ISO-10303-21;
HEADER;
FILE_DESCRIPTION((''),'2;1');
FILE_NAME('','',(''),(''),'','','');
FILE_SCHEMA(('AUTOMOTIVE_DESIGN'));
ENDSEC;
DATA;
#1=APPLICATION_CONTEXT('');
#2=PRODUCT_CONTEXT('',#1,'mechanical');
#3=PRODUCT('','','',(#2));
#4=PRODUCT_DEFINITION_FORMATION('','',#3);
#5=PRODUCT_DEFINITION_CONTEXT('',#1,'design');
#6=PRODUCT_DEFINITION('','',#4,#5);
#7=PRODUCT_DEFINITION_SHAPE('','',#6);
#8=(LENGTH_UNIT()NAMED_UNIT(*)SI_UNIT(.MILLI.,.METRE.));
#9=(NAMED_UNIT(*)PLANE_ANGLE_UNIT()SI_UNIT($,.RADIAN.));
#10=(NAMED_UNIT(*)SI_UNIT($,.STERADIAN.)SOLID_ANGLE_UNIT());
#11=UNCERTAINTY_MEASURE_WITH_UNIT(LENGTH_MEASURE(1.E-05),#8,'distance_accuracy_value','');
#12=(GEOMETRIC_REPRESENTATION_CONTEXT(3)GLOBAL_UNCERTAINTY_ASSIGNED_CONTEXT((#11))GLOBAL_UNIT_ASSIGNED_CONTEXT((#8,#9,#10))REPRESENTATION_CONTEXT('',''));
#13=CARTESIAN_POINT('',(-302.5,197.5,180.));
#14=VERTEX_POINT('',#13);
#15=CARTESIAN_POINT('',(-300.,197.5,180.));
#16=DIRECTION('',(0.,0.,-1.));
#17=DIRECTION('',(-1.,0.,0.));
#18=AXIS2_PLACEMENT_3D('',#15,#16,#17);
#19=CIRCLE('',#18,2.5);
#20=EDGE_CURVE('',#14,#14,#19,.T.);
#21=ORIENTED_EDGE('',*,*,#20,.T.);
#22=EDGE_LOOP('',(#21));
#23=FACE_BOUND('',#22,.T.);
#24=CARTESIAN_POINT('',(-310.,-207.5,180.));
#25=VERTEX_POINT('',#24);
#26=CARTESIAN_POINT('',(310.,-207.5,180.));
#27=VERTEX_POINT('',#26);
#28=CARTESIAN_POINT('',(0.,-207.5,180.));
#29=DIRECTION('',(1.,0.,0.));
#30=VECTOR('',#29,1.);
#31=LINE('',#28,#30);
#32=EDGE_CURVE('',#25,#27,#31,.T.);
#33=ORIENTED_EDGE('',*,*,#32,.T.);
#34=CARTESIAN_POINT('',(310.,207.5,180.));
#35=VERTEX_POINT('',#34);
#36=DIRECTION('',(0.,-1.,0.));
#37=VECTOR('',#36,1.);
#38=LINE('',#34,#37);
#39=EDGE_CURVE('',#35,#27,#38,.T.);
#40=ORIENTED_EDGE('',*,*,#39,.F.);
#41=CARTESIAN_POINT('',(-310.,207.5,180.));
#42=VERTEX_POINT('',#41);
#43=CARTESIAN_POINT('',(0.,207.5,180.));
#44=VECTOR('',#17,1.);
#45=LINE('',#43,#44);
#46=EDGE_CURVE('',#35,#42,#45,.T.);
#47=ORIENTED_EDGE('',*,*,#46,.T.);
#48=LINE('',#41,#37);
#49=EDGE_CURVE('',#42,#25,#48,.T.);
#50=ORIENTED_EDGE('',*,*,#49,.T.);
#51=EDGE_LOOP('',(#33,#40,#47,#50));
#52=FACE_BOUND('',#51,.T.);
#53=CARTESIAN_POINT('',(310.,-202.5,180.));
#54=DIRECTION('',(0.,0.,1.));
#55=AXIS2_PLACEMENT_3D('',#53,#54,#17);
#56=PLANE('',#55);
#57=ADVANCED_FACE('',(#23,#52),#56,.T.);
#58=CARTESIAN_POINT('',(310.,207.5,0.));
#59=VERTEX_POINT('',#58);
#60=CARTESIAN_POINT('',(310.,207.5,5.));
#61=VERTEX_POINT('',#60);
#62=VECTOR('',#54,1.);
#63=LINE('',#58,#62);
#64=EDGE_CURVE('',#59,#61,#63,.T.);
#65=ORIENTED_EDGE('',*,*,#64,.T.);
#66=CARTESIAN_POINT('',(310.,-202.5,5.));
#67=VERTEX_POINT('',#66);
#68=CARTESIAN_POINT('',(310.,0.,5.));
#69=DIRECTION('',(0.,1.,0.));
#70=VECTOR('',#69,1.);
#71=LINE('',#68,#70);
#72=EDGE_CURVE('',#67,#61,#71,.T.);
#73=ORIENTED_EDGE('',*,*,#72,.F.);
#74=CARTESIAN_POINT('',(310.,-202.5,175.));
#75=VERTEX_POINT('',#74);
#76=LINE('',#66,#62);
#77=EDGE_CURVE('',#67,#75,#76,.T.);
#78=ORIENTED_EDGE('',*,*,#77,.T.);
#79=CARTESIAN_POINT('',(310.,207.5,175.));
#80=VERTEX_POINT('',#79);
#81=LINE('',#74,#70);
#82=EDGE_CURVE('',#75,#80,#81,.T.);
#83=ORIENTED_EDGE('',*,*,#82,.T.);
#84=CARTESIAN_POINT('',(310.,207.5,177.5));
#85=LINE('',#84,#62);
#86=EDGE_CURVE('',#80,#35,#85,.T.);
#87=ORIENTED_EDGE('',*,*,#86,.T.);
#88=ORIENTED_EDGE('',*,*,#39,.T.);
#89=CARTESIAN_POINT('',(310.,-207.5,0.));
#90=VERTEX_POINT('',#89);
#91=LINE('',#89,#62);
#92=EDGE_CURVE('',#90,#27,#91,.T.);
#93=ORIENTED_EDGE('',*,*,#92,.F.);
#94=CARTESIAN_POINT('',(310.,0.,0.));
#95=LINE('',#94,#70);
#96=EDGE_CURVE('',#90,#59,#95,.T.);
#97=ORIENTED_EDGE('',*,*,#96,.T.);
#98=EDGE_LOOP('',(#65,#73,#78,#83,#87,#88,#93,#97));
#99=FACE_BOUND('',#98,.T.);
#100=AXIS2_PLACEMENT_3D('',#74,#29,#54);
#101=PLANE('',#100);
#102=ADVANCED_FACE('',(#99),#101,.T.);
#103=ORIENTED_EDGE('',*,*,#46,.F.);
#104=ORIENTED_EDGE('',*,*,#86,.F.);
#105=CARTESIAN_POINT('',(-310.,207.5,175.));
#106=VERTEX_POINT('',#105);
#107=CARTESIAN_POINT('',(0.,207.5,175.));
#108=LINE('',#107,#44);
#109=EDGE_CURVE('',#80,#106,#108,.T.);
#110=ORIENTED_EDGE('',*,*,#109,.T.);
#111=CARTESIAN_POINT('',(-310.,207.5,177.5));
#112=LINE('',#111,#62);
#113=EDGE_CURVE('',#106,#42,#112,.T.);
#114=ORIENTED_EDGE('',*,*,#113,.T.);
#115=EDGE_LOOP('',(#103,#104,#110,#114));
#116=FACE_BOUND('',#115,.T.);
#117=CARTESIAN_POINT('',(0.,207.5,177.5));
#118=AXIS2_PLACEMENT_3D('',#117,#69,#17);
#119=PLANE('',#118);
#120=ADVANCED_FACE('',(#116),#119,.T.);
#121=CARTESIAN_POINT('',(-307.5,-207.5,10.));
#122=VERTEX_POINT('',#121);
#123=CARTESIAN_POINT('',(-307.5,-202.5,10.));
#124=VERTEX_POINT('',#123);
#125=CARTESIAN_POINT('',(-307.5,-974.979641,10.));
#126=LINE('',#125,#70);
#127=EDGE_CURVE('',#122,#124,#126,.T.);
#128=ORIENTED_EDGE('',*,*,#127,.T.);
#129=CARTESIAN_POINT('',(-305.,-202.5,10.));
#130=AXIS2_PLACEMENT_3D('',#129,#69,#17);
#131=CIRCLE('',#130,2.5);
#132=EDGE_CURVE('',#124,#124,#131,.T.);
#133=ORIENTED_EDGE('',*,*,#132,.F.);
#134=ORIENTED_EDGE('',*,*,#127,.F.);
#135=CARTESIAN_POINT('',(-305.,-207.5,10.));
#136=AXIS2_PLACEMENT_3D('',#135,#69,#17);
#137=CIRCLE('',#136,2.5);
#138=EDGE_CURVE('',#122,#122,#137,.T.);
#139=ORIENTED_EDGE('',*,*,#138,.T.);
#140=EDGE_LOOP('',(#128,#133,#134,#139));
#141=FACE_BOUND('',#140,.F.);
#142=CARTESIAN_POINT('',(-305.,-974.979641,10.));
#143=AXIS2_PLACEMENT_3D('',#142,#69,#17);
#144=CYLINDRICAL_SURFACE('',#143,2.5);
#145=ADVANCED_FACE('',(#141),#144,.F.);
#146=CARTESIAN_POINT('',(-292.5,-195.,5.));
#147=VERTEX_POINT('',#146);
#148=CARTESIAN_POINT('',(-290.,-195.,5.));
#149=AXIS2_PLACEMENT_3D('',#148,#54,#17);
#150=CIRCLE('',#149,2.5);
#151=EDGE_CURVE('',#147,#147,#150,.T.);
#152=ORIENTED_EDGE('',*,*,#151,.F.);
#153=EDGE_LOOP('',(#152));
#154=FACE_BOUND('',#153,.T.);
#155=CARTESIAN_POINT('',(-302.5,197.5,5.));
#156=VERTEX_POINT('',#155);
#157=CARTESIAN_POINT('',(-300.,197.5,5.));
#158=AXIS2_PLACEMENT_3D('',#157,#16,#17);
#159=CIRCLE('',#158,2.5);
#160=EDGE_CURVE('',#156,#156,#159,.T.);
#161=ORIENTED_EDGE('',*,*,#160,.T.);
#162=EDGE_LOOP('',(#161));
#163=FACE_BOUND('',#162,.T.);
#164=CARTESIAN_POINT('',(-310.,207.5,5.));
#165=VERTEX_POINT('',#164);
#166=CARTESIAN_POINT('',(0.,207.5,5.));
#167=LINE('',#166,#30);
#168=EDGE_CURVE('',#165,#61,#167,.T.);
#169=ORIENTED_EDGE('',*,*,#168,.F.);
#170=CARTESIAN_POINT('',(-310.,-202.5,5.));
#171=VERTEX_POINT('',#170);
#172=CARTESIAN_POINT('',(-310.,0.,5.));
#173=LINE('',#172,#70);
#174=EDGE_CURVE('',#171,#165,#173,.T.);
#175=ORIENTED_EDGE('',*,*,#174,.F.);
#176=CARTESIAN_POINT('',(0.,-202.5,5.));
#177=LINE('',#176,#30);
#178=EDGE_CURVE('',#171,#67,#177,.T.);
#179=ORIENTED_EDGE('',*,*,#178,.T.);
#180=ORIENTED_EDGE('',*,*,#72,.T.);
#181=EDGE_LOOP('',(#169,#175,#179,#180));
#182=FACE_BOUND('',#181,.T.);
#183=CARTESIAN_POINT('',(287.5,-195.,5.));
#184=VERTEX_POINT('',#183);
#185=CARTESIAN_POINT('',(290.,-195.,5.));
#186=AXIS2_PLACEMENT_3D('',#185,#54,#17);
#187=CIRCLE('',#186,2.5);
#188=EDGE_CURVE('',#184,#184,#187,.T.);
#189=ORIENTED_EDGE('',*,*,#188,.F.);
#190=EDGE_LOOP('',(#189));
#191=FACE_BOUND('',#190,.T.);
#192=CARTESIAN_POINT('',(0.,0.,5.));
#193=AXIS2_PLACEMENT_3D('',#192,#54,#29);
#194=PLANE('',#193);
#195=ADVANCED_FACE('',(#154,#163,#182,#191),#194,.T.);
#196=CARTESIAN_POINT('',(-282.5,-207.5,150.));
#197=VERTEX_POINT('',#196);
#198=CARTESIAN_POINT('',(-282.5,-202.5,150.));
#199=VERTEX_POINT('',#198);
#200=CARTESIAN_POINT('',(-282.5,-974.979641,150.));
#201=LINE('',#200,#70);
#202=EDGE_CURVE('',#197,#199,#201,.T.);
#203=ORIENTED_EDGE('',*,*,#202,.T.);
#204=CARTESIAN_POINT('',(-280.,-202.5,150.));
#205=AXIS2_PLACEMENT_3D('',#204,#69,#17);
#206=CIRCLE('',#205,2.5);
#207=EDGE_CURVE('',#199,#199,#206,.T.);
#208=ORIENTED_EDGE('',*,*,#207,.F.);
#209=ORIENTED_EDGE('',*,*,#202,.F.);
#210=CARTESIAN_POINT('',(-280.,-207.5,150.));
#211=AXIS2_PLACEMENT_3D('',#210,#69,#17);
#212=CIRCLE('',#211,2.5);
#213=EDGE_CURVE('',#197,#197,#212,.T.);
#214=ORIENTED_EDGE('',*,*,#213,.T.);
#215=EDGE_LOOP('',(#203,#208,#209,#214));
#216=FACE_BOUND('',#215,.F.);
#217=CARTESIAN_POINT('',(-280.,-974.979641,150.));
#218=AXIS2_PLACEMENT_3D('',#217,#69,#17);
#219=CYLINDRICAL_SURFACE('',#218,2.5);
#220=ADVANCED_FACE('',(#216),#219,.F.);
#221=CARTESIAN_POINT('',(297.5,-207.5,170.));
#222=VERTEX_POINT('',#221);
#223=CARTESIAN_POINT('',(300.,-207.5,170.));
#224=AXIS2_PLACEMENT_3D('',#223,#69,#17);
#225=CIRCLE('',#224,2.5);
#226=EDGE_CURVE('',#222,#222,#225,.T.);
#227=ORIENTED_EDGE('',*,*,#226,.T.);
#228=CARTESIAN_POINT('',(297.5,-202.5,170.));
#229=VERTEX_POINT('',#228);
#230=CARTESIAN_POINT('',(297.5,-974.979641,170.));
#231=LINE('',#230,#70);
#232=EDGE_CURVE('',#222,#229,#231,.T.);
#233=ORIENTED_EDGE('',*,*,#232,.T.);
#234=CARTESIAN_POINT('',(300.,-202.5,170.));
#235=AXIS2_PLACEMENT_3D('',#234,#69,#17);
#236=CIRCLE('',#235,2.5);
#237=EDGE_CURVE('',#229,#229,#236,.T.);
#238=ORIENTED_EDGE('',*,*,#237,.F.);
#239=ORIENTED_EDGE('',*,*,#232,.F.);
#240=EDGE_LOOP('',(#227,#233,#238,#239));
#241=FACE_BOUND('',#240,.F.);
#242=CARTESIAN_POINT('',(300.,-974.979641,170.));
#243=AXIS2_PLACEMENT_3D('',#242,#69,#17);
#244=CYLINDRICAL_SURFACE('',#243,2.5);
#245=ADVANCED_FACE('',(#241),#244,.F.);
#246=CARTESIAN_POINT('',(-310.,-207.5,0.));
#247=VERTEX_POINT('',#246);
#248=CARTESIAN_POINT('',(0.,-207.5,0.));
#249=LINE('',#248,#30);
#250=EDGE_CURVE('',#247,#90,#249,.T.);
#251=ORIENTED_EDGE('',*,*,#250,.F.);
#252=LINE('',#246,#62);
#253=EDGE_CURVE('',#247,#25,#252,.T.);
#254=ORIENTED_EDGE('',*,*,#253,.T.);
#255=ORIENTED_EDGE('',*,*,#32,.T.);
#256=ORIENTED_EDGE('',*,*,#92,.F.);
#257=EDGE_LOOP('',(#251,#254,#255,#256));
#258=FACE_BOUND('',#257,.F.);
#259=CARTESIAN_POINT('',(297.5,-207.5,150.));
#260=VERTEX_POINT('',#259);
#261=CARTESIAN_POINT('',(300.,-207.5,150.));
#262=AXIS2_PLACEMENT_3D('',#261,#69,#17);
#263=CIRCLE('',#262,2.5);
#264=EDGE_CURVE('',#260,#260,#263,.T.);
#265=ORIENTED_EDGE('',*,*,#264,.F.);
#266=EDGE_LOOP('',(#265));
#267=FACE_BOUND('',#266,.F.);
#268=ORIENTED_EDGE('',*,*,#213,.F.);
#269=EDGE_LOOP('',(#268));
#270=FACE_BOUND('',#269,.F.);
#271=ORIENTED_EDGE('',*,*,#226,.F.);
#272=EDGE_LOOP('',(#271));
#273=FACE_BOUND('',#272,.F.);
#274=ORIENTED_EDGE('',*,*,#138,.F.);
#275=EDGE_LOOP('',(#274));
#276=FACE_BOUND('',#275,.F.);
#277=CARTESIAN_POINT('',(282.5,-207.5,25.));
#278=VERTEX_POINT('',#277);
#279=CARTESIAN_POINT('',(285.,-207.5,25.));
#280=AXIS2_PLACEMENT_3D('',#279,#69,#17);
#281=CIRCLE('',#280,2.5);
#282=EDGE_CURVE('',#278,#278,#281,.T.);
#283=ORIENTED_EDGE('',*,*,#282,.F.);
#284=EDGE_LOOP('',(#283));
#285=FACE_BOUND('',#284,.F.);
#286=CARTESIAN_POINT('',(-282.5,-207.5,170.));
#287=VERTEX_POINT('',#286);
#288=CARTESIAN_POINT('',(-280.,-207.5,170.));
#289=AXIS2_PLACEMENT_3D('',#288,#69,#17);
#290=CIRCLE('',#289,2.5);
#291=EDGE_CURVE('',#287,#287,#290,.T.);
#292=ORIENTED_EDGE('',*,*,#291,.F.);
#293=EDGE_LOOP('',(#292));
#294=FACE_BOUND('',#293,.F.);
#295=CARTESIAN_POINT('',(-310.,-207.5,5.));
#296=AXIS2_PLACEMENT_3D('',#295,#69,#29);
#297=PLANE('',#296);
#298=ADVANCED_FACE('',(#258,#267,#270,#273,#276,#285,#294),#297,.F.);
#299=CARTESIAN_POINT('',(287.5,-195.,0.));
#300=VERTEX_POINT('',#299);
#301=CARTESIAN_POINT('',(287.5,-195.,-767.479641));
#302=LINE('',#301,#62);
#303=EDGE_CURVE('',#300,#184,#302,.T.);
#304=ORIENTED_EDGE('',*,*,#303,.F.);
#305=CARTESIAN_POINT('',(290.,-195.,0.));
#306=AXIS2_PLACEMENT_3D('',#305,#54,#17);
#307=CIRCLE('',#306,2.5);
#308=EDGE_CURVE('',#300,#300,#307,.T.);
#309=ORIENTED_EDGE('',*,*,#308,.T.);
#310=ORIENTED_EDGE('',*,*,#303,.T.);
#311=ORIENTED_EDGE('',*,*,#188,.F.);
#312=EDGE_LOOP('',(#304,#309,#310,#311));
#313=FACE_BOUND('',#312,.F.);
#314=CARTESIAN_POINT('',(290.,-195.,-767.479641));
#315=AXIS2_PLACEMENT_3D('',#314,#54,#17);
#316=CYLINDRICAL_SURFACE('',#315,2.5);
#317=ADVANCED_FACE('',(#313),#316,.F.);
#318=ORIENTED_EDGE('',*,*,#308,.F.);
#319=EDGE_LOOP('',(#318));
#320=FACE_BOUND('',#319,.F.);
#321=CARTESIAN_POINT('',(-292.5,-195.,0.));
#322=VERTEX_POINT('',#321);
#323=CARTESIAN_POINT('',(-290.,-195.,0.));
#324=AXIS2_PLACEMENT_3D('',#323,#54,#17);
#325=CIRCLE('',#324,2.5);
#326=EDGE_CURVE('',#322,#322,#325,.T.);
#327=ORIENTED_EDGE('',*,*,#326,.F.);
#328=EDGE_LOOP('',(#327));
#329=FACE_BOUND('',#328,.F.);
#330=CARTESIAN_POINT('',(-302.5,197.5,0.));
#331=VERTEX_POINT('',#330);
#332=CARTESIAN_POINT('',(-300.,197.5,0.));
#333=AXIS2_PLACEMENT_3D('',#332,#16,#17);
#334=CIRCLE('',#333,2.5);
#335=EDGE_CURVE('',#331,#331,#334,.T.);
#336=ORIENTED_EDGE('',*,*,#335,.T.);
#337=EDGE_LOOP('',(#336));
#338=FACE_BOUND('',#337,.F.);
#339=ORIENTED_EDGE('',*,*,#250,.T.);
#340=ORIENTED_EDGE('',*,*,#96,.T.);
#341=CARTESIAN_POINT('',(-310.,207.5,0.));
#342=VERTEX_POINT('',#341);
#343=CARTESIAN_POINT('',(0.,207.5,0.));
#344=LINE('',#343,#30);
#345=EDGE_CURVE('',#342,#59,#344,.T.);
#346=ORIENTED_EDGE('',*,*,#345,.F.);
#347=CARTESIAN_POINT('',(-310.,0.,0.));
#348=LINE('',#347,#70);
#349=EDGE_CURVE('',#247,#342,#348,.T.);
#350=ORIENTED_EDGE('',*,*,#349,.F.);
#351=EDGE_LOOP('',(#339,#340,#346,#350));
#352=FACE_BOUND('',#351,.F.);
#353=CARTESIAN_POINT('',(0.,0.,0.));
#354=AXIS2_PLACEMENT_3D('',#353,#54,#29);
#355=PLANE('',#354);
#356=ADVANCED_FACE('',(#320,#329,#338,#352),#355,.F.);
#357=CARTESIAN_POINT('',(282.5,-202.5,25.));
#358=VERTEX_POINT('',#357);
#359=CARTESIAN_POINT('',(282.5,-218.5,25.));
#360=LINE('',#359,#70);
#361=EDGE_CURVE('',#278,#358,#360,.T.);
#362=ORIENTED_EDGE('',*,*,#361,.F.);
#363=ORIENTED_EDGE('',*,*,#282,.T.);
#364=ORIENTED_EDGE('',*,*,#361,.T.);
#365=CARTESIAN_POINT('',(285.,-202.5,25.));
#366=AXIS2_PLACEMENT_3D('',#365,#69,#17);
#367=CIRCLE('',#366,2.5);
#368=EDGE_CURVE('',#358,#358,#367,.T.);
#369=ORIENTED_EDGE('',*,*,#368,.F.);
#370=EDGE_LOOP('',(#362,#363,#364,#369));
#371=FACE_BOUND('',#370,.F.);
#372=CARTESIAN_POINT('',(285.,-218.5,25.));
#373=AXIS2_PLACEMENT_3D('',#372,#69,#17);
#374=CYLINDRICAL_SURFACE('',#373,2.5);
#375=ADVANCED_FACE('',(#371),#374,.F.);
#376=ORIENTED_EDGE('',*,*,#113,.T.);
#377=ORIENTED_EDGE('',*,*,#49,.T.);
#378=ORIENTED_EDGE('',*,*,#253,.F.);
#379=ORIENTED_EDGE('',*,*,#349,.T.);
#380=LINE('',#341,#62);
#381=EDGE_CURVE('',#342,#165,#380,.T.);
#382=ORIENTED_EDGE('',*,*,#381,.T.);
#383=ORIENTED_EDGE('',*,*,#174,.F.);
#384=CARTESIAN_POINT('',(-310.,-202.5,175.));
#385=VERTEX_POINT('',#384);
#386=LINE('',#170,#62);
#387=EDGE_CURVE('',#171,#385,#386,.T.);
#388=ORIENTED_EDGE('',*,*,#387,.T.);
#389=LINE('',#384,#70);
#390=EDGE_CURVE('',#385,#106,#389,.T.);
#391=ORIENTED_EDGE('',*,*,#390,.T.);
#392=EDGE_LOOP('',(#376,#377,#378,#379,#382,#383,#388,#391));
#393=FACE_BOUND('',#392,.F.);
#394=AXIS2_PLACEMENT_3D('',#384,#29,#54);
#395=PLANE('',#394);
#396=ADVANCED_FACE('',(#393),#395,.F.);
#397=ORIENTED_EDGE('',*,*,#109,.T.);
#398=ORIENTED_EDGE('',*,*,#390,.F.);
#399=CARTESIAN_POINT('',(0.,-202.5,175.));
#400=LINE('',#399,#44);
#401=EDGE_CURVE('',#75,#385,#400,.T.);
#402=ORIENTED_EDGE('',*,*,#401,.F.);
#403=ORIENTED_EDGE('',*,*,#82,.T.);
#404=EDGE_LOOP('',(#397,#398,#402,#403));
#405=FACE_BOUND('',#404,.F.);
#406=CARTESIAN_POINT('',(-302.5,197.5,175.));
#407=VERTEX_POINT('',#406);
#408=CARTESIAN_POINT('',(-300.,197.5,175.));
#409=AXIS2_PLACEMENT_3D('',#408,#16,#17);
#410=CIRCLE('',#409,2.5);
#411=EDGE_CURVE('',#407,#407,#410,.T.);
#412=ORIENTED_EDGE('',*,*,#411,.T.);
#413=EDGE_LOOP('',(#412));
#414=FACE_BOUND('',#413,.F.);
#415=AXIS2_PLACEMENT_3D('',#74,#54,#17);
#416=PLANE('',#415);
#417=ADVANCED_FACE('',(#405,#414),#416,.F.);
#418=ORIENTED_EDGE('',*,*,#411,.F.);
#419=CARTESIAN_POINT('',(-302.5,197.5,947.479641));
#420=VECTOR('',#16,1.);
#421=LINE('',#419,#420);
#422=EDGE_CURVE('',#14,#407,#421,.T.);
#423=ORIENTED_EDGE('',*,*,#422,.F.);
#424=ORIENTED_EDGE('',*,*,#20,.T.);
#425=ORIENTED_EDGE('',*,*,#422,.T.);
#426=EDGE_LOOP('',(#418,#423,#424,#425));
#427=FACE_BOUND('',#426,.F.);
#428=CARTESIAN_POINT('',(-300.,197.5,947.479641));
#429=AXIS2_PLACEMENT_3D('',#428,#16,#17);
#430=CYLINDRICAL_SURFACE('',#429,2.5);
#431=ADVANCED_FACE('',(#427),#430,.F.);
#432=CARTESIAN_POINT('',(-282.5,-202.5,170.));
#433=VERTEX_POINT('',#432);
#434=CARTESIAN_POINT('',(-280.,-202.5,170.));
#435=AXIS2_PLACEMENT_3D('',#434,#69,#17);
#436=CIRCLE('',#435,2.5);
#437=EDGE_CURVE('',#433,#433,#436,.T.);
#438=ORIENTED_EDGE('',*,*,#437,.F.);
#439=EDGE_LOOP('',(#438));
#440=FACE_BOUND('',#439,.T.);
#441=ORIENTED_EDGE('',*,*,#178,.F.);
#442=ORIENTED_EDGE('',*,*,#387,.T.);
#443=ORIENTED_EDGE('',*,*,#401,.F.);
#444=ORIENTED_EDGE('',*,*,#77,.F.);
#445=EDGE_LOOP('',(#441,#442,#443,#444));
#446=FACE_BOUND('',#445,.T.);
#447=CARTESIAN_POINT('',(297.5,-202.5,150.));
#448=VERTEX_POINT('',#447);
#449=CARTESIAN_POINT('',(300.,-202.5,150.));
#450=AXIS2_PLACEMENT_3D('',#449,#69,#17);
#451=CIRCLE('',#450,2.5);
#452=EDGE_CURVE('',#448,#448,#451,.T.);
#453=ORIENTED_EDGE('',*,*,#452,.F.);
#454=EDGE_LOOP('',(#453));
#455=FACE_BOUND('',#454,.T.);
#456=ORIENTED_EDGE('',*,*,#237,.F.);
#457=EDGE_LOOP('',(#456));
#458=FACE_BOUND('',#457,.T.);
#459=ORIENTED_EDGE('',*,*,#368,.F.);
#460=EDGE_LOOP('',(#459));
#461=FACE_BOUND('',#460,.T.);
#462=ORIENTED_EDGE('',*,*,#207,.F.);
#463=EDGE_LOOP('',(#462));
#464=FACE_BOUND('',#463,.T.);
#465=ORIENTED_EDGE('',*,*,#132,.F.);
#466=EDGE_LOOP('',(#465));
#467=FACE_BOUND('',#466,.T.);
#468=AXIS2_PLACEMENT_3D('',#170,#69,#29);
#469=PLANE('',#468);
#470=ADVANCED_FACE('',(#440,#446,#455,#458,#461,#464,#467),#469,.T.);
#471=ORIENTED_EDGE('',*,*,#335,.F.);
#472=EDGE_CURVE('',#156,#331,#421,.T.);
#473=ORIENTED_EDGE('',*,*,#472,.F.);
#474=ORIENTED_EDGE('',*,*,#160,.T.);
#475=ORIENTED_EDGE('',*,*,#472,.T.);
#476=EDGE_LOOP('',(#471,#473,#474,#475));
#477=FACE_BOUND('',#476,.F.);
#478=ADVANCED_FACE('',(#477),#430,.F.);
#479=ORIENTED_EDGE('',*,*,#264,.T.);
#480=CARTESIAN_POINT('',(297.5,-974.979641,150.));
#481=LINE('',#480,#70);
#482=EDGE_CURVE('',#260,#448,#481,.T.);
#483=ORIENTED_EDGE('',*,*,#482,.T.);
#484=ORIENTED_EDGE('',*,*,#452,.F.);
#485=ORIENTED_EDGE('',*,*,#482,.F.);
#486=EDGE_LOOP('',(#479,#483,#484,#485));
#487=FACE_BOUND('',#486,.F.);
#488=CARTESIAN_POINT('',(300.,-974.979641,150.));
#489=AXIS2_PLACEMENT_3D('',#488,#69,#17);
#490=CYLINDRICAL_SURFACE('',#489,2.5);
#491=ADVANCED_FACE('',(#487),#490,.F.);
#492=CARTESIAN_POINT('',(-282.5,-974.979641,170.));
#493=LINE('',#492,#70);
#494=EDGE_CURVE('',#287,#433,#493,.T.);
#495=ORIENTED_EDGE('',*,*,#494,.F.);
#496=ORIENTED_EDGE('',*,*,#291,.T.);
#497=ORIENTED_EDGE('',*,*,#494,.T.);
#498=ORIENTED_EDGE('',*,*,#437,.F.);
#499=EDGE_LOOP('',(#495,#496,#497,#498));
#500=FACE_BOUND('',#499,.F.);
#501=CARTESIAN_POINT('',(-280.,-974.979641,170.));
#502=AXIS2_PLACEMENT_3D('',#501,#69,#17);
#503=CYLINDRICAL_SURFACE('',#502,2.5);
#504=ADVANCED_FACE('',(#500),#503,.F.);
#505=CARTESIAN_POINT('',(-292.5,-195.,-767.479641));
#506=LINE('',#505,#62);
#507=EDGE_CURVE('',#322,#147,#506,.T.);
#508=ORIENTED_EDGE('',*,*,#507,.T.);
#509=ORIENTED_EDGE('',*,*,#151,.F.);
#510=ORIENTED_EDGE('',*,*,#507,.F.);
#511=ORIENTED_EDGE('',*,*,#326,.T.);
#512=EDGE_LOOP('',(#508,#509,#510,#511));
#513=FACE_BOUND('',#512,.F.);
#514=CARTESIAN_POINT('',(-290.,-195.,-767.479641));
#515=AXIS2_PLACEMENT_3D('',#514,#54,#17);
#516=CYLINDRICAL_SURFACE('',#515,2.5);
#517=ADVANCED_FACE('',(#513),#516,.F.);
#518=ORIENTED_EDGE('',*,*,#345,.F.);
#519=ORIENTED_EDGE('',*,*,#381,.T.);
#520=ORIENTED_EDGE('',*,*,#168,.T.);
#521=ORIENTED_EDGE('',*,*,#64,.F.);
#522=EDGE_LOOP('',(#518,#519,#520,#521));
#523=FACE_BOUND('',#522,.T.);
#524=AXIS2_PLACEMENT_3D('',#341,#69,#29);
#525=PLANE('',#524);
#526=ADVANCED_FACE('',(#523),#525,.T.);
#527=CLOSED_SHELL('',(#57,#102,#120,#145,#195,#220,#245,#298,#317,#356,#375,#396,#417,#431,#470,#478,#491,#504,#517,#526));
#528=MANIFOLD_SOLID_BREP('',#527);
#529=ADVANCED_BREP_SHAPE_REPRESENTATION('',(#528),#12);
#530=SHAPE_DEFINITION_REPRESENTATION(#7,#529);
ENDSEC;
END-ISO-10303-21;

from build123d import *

# Parameters (mm, degrees)
F0_W      = 620
F0_H      = 415
F1_DEPTH  = 5
F2_W      = 620
F2_H      = 5
F3_DEPTH  = 175
F5_D      = 5
F7_D      = 5
F9_D      = 5
F11_D     = 5
F13_D     = 5
F15_D     = 5
F17_D     = 5
F19_D     = 5
F19_DEPTH = 11
F20_W     = 620
F20_H     = 5
F21_DEPTH = 410
F23_D     = 5


with BuildPart() as f1:
    # F0 (on Top) → F1 (new body)
    with BuildSketch(Plane.XY):
        Rectangle(F0_W, F0_H)
    extrude(amount=F1_DEPTH)

    # F2 (on face) → F3 (join)
    with BuildSketch(Plane.XY.offset(5)):
        with Locations((0, -205)):
            Rectangle(F2_W, F2_H)
    extrude(amount=F3_DEPTH)

    # F5 (through all)
    with Locations(Plane.XZ.offset(207.5)):
        with Locations((300, 170)):
            Hole(F5_D / 2)

    # F7 (through all)
    with Locations(Plane.XZ.offset(207.5)):
        with Locations((300, 150)):
            Hole(F7_D / 2)

    # F9 (through all)
    with Locations(Plane.XZ.offset(207.5)):
        with Locations((-280, 170)):
            Hole(F9_D / 2)

    # F11 (through all)
    with Locations(Plane.XZ.offset(207.5)):
        with Locations((-280, 150)):
            Hole(F11_D / 2)

    # F13 (through all)
    with Locations(Plane.XZ.offset(207.5)):
        with Locations((-305, 10)):
            Hole(F13_D / 2)

    # F15 (through all)
    with Locations(Plane(origin=(0, 0, 0), x_dir=(1, 0, 0), z_dir=(0, 0, -1))):
        with Locations((290, 195)):
            Hole(F15_D / 2)

    # F17 (through all)
    with Locations(Plane(origin=(0, 0, 0), x_dir=(1, 0, 0), z_dir=(0, 0, -1))):
        with Locations((-290, 195)):
            Hole(F17_D / 2)

    # F19
    with Locations(Plane.XZ.offset(207.5)):
        with Locations((285, 25)):
            Hole(F19_D / 2, depth=F19_DEPTH)

    # F20 (on face) → F21 (join)
    with BuildSketch(Plane(origin=(0, -202.5, 0), x_dir=(-1, 0, 0), z_dir=(0, 1, 0))):
        with Locations((0, 177.5)):
            Rectangle(F20_W, F20_H)
    extrude(amount=F21_DEPTH)

    # F23 (through all)
    with Locations(Plane.XY.offset(180)):
        with Locations((-300, 197.5)):
            Hole(F23_D / 2)


solid = f1.part
